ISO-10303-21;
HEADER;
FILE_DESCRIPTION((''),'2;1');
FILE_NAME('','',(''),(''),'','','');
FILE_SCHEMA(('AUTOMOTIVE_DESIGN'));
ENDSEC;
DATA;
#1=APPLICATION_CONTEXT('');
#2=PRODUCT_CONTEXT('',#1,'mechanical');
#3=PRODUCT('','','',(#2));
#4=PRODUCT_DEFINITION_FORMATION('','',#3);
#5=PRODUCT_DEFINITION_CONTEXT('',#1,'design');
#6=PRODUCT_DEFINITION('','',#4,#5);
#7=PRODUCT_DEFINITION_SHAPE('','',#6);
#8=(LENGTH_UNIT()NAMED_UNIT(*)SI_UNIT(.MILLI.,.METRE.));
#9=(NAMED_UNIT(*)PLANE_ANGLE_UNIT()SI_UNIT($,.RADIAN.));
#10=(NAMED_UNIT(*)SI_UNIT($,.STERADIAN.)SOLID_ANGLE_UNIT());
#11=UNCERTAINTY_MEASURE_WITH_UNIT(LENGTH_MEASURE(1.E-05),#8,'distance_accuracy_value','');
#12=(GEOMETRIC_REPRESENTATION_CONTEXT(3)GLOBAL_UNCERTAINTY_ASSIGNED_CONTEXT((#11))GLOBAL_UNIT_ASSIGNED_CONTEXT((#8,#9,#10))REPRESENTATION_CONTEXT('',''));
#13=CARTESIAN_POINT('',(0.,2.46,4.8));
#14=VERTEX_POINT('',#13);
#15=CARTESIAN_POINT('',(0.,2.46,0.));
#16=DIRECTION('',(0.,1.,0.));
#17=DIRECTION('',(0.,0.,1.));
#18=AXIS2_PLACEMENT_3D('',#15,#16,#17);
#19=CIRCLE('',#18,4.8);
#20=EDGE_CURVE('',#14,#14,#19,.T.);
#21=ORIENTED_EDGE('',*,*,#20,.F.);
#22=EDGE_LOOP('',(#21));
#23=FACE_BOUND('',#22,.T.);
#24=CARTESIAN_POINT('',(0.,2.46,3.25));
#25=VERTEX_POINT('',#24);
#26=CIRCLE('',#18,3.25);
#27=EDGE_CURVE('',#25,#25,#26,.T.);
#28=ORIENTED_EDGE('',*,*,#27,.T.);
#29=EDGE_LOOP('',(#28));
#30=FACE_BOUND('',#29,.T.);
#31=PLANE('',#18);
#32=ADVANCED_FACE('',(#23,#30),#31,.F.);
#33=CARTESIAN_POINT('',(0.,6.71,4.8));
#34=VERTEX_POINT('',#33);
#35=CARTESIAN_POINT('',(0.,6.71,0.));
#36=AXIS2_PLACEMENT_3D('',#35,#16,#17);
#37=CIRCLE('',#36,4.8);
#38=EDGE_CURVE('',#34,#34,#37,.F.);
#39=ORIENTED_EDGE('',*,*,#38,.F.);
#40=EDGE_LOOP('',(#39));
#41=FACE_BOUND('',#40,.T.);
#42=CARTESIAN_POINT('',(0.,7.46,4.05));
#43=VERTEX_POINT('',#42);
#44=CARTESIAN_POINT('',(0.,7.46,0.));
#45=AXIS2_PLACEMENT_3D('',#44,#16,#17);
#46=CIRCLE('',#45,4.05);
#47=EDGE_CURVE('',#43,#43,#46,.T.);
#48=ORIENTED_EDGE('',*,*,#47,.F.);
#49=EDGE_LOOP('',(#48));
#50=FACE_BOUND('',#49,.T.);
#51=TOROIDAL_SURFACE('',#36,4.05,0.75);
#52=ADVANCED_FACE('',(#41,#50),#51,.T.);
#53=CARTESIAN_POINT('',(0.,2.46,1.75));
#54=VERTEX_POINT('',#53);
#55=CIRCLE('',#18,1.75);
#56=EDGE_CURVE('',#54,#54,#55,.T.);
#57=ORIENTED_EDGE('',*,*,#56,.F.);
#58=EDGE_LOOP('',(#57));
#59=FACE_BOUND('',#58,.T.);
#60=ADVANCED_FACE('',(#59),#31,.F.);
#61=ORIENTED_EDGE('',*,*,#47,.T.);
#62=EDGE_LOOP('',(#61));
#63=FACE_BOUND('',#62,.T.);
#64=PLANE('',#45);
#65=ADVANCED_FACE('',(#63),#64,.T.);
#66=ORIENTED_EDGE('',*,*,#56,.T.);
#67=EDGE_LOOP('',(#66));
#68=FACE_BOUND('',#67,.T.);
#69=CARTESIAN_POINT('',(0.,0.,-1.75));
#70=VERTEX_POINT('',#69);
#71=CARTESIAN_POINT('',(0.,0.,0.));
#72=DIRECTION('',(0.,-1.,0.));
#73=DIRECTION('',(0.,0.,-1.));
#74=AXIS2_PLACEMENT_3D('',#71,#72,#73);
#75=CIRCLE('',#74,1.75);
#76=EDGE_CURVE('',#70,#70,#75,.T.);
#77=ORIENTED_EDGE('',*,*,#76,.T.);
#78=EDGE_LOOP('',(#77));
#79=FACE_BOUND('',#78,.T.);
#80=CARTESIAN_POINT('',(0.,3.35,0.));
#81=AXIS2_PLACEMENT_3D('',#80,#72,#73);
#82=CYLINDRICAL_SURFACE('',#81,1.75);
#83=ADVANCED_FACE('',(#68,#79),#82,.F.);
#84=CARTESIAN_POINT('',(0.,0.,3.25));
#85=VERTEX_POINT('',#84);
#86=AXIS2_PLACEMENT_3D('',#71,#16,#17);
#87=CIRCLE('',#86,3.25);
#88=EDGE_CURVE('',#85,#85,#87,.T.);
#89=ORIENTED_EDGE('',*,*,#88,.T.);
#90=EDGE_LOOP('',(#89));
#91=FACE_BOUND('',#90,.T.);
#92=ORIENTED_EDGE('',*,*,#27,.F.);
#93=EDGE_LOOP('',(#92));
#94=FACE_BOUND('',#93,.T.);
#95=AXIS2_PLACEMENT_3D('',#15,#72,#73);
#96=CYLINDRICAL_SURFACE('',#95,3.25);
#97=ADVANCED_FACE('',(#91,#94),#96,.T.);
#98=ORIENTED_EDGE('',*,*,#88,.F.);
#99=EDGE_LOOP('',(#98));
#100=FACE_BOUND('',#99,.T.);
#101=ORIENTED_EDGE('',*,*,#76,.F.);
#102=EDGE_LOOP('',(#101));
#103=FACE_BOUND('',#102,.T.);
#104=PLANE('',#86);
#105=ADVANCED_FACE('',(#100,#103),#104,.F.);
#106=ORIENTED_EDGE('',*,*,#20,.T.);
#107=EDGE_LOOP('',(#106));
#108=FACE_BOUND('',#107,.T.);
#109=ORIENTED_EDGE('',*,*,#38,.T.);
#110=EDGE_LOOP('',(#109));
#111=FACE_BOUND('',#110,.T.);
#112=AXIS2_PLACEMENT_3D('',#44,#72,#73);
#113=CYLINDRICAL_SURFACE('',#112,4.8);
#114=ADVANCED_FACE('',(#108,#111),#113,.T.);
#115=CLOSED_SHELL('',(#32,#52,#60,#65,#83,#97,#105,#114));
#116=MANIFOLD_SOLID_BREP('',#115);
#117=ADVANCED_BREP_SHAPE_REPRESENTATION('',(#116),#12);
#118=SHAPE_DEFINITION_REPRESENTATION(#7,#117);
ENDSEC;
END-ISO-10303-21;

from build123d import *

# Parameters (mm, degrees)
SKETCH1_R           = 3.25
BOSS_EXTRUDE1_DEPTH = 2.46
SKETCH2_R           = 1.75
CUT_EXTRUDE1_DEPTH  = 3.35
SKETCH6_R           = 4.8
BOSS_EXTRUDE2_DEPTH = 5
FILLET1_R           = 0.75


with BuildPart() as part:
    # Sketch1 → Boss-Extrude1 (new body)
    with BuildSketch(Plane(origin=(0, 0, 0), x_dir=(1, 0, 0), z_dir=(0, 1, 0))):
        Circle(SKETCH1_R)
    extrude(amount=BOSS_EXTRUDE1_DEPTH)

    # Sketch2 → Cut-Extrude1 (cut)
    with BuildSketch(Plane.XZ):
        Circle(SKETCH2_R)
    extrude(amount=-CUT_EXTRUDE1_DEPTH, mode=Mode.SUBTRACT)

    # Sketch6 → Boss-Extrude2 (add)
    with BuildSketch(Plane(origin=(0, 2.46, 0), x_dir=(1, 0, 0), z_dir=(0, 1, 0))):
        Circle(SKETCH6_R)
    extrude(amount=BOSS_EXTRUDE2_DEPTH)

    # Fillet1
    fillet1_edges = [part.edges().sort_by_distance(p)[0] for p in [
        (-4.8, 7.46, 0),
    ]]
    fillet(fillet1_edges, radius=FILLET1_R)


solid = part.part
